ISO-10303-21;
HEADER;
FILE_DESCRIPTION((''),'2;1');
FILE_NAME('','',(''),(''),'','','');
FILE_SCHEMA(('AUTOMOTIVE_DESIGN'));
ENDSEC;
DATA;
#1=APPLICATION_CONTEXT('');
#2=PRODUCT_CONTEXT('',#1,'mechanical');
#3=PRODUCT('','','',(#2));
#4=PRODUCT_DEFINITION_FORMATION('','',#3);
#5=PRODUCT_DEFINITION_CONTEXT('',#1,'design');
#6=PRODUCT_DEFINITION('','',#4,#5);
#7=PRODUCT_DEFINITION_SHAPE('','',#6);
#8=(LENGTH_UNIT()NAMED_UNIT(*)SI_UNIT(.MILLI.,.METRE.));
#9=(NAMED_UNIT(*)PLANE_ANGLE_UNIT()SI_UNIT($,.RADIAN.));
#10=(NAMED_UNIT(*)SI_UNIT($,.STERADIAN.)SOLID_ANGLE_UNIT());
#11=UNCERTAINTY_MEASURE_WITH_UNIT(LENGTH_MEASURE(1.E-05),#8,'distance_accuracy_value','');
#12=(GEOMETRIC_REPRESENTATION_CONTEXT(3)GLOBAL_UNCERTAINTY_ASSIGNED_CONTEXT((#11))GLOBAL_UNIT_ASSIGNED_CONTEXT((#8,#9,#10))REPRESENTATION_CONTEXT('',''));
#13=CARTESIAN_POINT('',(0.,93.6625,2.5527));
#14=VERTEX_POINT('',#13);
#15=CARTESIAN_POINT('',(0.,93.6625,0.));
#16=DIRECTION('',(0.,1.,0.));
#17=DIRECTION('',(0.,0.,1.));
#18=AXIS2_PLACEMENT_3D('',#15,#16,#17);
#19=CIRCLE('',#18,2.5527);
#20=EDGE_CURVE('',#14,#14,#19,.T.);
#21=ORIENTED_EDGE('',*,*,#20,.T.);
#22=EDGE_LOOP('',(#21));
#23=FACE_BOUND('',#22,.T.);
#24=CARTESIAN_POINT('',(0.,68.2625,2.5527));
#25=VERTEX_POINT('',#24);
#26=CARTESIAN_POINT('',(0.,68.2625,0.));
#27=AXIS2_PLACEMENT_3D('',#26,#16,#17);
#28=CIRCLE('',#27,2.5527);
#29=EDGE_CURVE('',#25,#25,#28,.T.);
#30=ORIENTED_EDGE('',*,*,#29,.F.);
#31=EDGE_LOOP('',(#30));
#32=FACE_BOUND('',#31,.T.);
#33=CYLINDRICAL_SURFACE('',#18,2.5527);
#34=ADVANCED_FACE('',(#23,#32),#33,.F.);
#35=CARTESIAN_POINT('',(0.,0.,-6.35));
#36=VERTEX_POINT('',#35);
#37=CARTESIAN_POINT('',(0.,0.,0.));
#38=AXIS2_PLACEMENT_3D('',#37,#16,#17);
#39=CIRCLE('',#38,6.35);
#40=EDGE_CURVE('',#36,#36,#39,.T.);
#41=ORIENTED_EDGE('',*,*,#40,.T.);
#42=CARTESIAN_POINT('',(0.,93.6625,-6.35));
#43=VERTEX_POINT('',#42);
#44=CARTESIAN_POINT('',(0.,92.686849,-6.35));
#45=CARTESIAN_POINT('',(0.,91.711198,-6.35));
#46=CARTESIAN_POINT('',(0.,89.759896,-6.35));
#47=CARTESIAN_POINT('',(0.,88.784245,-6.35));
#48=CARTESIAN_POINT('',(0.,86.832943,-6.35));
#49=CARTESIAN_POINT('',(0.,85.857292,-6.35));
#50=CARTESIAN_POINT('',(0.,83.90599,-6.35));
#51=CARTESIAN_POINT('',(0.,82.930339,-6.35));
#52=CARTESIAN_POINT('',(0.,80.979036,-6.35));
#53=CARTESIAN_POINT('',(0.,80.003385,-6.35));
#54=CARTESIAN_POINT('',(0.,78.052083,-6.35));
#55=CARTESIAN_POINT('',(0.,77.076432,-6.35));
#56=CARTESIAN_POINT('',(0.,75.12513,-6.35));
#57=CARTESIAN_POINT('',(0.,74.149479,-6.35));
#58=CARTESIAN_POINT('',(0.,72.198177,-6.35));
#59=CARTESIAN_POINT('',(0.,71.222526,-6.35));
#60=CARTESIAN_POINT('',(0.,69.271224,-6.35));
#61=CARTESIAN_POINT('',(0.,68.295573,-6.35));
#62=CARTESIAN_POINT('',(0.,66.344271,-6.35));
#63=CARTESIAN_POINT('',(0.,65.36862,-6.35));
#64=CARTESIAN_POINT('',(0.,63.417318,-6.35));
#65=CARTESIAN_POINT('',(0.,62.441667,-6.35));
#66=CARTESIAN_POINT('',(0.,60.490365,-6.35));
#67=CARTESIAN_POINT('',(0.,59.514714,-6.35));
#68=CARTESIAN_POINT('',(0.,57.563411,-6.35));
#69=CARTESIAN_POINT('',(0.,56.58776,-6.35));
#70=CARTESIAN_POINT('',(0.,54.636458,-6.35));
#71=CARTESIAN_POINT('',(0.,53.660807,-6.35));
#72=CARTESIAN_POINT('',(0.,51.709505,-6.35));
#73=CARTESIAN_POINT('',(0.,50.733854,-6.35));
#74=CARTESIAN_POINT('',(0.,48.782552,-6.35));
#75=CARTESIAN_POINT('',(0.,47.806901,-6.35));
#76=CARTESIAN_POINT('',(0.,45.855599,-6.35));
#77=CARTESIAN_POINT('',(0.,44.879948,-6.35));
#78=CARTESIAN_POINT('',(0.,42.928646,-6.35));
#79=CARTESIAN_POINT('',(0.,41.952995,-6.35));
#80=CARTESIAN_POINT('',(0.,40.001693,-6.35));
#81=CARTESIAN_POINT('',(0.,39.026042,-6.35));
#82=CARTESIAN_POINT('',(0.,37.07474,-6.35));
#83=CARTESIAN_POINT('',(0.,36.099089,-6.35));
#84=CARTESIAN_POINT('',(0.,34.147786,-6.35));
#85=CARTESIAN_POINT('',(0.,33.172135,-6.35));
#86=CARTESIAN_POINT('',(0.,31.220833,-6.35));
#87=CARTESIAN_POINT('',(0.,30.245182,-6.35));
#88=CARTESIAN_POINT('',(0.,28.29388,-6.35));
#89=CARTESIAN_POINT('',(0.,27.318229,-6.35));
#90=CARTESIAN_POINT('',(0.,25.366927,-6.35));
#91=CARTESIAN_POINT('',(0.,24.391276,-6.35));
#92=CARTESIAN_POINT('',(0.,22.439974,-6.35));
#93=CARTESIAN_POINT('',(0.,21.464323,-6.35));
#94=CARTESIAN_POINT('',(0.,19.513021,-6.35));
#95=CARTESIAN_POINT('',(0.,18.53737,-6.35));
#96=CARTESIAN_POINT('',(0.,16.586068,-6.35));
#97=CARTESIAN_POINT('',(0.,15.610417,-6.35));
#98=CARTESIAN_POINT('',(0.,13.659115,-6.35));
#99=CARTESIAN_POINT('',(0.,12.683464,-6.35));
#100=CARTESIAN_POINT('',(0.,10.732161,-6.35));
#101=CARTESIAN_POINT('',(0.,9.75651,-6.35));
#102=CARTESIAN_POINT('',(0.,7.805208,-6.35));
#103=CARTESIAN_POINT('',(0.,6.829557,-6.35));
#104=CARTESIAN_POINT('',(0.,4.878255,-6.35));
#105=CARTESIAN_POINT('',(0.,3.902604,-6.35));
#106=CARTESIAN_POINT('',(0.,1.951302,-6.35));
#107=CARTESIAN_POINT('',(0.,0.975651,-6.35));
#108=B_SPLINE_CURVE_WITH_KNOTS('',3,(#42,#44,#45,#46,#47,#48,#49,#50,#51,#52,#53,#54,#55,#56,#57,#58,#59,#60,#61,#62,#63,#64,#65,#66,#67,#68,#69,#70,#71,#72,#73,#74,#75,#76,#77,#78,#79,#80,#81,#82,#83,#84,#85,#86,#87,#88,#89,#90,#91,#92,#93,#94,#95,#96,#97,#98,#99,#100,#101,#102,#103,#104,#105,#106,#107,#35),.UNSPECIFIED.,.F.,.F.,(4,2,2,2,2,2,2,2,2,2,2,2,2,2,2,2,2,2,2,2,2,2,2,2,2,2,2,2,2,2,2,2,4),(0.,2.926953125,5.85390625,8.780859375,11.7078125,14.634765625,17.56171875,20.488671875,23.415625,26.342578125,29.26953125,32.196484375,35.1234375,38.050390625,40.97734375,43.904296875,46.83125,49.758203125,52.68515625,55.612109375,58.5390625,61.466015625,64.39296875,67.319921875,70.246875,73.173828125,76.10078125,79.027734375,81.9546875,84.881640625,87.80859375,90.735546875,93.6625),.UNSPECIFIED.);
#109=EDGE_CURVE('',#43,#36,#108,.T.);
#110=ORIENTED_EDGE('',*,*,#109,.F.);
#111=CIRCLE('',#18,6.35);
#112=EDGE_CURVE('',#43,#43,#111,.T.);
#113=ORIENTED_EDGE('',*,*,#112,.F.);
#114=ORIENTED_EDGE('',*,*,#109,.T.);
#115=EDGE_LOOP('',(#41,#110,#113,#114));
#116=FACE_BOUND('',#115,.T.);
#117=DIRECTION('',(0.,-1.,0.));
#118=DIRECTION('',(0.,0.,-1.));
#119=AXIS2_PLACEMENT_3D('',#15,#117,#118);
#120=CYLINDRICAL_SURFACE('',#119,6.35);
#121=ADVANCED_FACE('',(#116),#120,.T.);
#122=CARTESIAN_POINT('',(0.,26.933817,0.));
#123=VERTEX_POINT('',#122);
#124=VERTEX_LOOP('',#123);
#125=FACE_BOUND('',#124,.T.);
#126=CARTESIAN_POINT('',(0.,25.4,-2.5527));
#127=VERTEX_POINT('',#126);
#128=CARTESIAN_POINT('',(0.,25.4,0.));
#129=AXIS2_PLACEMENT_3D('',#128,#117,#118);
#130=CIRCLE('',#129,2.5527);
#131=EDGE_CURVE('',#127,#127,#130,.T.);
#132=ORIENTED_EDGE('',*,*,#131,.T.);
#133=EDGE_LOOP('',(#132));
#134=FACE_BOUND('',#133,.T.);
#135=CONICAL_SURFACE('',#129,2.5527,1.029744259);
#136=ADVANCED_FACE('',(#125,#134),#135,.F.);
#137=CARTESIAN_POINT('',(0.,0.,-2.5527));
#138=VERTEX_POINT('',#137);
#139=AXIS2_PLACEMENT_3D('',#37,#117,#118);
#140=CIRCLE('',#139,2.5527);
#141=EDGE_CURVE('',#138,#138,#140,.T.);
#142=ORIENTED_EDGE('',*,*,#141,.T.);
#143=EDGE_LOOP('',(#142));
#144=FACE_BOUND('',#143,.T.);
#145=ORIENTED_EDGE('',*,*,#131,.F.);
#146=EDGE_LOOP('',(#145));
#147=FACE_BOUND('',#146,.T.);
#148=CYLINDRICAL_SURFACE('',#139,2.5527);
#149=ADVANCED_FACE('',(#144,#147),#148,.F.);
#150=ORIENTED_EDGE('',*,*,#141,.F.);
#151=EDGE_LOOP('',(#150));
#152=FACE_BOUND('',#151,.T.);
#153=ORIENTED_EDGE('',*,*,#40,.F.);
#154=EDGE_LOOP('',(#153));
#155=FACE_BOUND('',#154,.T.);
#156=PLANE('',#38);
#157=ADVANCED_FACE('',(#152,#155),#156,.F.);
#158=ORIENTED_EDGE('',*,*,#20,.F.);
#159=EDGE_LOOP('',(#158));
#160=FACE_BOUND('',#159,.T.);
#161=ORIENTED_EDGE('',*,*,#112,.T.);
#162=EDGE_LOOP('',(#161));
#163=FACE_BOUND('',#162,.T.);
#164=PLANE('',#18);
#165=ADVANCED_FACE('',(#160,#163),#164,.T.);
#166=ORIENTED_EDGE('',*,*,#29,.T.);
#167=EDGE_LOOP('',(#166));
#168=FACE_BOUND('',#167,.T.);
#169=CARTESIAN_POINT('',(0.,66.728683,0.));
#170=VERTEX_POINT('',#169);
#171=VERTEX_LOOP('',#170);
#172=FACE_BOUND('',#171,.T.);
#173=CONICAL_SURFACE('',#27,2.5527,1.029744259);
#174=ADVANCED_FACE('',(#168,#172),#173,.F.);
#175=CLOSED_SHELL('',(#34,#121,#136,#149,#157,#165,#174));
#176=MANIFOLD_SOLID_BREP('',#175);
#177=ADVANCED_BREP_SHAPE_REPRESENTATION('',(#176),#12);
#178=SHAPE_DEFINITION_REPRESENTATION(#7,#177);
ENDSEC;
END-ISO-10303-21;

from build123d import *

# Parameters (mm, degrees)
SKETCH1_R                   = 6.35
BOSS_EXTRUDE1_DEPTH         = 93.6625
F_1_4_20_TAPPED_HOLE1_D     = 5.1054
F_1_4_20_TAPPED_HOLE1_DEPTH = 25.4
F_1_4_20_TAPPED_HOLE1_TIP   = 1.533816902
F_1_4_20_TAPPED_HOLE2_D     = 5.1054
F_1_4_20_TAPPED_HOLE2_DEPTH = 25.4
F_1_4_20_TAPPED_HOLE2_TIP   = 1.533816902


with BuildPart() as part:
    # Sketch1 → Boss-Extrude1 (new body)
    with BuildSketch(Plane(origin=(0, 0, 0), x_dir=(1, 0, 0), z_dir=(0, 1, 0))):
        with Locations(Location((0, 0, 0), (0, 0, 90))):
            Circle(SKETCH1_R)
    extrude(amount=BOSS_EXTRUDE1_DEPTH)

    # 1/4-20 Tapped Hole1
    with Locations(Plane(origin=(0, 93.6625, 0), x_dir=(1, 0, 0), z_dir=(0, 1, 0))):
        with Locations((0, 0)):
            Hole(F_1_4_20_TAPPED_HOLE1_D / 2, depth=F_1_4_20_TAPPED_HOLE1_DEPTH)
            with Locations((0, 0, -(F_1_4_20_TAPPED_HOLE1_DEPTH + F_1_4_20_TAPPED_HOLE1_TIP / 2))):  # 118° drill point
                Cone(0, F_1_4_20_TAPPED_HOLE1_D / 2, F_1_4_20_TAPPED_HOLE1_TIP, mode=Mode.SUBTRACT)

    # 1/4-20 Tapped Hole2
    with Locations(Plane(origin=(0, 0, 0), x_dir=(-1, 0, 0), z_dir=(0, -1, 0))):
        with Locations((0, 0)):
            Hole(F_1_4_20_TAPPED_HOLE2_D / 2, depth=F_1_4_20_TAPPED_HOLE2_DEPTH)
            with Locations((0, 0, -(F_1_4_20_TAPPED_HOLE2_DEPTH + F_1_4_20_TAPPED_HOLE2_TIP / 2))):  # 118° drill point
                Cone(0, F_1_4_20_TAPPED_HOLE2_D / 2, F_1_4_20_TAPPED_HOLE2_TIP, mode=Mode.SUBTRACT)


solid = part.part
